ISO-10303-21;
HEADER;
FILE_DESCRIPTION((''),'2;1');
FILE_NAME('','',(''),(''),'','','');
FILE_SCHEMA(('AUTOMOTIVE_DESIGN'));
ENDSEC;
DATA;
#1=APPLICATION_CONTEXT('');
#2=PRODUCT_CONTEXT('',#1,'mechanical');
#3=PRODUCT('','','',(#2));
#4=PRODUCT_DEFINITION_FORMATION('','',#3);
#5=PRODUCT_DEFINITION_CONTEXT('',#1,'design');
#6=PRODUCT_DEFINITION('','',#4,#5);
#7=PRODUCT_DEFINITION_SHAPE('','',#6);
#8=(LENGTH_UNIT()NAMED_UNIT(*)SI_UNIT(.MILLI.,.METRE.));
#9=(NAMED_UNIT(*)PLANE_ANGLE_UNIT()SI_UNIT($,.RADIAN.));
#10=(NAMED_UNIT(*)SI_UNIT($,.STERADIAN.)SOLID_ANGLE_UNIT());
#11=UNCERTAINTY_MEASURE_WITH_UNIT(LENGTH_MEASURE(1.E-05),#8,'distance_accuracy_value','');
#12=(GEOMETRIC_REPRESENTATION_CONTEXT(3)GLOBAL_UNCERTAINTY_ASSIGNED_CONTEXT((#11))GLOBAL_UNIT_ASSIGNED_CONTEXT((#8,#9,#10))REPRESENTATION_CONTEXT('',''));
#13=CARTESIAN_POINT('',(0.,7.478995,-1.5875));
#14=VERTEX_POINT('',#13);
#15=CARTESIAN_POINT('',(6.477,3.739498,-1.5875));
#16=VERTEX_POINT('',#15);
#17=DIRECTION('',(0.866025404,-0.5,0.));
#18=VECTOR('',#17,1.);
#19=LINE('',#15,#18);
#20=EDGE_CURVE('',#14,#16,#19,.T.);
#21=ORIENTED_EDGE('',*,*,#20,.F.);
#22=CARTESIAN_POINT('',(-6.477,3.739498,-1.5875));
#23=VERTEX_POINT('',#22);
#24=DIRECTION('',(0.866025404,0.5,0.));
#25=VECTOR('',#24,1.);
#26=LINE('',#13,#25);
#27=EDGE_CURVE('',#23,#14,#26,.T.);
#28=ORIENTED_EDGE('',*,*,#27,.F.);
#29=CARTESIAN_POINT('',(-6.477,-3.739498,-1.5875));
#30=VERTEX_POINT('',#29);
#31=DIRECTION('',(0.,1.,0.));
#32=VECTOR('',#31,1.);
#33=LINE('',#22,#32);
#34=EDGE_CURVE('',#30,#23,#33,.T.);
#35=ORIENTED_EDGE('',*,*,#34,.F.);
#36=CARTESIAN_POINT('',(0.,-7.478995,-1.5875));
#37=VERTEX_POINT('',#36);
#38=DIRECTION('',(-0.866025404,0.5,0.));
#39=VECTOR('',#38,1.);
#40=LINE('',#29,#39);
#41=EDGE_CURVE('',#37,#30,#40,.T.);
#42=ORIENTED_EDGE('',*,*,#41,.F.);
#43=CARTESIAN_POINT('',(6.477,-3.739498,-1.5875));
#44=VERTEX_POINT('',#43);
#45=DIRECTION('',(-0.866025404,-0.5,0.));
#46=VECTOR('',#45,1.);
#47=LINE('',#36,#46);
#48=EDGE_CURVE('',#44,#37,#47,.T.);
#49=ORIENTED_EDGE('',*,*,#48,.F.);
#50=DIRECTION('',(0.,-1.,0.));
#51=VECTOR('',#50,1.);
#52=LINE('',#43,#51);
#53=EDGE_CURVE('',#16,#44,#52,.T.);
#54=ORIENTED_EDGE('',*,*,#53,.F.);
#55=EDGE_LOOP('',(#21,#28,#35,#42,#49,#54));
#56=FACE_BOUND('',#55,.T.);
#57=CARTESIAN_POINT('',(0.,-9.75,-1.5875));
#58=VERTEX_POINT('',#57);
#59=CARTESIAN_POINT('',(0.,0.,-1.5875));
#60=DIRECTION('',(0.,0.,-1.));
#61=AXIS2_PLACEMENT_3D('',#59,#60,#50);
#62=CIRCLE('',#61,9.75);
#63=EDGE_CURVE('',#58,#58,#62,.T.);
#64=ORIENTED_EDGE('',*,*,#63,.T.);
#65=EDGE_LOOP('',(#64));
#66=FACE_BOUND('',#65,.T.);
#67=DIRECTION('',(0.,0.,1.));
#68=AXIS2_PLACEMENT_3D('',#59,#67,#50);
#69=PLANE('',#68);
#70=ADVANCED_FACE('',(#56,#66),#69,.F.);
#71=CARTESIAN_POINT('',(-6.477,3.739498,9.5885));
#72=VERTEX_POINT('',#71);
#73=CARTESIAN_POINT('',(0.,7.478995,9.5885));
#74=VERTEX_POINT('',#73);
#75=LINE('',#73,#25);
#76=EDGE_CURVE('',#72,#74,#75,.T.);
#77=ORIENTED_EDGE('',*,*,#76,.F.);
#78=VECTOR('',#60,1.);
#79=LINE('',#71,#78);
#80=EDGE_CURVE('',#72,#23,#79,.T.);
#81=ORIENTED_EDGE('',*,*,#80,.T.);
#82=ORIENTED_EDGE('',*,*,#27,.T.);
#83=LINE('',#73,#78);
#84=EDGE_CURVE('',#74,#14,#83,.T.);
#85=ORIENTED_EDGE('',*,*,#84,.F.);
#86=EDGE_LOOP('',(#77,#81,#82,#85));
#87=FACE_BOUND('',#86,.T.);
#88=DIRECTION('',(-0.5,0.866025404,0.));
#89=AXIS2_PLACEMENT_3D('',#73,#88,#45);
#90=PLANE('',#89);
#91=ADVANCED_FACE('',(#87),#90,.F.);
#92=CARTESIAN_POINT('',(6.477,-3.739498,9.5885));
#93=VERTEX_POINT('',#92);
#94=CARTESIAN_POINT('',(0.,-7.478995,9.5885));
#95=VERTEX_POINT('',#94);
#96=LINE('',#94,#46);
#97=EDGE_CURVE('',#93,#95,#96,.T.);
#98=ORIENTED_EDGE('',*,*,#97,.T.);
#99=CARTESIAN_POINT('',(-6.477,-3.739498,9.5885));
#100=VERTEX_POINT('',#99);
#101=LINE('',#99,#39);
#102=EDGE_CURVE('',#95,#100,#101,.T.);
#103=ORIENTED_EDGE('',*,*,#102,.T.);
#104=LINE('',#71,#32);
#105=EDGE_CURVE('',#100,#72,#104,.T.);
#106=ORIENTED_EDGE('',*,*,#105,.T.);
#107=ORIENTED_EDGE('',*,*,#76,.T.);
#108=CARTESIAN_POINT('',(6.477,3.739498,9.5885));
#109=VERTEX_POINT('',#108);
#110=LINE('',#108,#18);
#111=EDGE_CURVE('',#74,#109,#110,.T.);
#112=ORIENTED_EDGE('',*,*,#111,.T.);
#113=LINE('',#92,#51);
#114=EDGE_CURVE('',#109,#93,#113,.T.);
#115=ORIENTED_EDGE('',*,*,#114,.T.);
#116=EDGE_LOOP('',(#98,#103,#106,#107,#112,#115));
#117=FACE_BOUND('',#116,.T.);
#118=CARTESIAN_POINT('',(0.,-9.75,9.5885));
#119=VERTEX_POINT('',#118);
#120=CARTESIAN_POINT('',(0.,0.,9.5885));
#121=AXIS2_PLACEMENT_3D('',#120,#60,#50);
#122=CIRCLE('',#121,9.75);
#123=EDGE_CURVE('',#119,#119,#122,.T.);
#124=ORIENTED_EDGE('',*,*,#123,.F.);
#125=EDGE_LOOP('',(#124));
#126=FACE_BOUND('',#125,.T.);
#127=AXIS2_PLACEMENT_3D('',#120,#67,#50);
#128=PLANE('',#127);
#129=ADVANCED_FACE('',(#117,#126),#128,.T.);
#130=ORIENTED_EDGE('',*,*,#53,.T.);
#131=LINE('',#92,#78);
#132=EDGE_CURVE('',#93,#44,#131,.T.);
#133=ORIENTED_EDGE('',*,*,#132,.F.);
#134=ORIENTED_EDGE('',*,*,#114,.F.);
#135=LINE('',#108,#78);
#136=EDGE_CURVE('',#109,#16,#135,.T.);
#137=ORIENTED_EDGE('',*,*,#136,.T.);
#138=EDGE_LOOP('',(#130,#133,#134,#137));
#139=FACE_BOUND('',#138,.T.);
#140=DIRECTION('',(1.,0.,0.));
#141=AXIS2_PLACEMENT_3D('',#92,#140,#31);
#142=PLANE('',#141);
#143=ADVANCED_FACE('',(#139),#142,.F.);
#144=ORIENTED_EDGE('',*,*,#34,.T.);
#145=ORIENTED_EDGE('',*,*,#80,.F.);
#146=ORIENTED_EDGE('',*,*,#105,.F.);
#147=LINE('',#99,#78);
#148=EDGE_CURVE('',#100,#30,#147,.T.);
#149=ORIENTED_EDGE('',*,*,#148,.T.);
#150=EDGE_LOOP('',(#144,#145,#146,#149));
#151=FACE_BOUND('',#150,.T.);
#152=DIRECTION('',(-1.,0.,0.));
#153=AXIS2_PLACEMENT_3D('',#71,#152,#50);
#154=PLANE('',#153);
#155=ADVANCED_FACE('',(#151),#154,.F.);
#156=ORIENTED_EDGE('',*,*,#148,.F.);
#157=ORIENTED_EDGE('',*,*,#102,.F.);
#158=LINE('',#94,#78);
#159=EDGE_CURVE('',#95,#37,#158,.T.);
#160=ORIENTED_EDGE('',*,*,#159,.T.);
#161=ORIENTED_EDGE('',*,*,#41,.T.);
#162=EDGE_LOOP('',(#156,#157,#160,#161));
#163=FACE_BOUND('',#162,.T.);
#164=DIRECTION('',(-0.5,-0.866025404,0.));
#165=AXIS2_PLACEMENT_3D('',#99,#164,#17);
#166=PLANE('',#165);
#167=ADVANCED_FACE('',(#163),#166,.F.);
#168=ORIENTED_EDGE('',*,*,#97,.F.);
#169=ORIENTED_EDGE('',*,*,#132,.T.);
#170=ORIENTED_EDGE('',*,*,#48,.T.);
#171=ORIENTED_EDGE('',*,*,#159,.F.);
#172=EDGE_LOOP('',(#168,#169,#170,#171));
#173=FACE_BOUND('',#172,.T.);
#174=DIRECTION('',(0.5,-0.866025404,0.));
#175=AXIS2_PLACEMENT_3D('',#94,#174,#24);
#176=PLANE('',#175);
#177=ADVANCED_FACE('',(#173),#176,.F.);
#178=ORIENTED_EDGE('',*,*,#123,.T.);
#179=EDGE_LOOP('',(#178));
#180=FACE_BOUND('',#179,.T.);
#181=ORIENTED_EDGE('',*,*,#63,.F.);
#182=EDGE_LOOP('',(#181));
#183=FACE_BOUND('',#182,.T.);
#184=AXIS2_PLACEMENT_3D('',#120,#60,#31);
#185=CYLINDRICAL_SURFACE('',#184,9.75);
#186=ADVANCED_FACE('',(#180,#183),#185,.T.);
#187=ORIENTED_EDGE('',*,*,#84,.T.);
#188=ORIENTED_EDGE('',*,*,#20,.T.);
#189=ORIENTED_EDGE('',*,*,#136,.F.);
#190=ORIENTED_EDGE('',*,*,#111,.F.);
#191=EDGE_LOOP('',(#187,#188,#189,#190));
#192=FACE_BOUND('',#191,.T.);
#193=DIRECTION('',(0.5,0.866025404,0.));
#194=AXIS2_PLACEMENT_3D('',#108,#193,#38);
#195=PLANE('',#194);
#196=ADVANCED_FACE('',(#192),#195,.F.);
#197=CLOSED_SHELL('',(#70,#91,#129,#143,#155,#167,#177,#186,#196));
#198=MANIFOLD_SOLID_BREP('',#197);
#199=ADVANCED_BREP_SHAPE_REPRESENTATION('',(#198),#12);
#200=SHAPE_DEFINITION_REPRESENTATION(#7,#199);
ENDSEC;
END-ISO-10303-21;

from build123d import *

# Parameters (mm, degrees)
SKETCH1_R           = 9.75
BOSS_EXTRUDE1_DEPTH = 11.176


with BuildPart() as part:
    # Sketch1 → Boss-Extrude1 (new body)
    with BuildSketch(Plane(origin=(0, 0, -1.5875), x_dir=(-1, 0, 0), z_dir=(0, 0, -1))):
        Circle(SKETCH1_R)
        Polygon((6.477, 3.739497694), (6.477, -3.739497694), (0, -7.478995387), (-6.477, -3.739497694), (-6.477, 3.739497694), (0, 7.478995387), align=None, mode=Mode.SUBTRACT)
    extrude(amount=-BOSS_EXTRUDE1_DEPTH)


solid = part.part
